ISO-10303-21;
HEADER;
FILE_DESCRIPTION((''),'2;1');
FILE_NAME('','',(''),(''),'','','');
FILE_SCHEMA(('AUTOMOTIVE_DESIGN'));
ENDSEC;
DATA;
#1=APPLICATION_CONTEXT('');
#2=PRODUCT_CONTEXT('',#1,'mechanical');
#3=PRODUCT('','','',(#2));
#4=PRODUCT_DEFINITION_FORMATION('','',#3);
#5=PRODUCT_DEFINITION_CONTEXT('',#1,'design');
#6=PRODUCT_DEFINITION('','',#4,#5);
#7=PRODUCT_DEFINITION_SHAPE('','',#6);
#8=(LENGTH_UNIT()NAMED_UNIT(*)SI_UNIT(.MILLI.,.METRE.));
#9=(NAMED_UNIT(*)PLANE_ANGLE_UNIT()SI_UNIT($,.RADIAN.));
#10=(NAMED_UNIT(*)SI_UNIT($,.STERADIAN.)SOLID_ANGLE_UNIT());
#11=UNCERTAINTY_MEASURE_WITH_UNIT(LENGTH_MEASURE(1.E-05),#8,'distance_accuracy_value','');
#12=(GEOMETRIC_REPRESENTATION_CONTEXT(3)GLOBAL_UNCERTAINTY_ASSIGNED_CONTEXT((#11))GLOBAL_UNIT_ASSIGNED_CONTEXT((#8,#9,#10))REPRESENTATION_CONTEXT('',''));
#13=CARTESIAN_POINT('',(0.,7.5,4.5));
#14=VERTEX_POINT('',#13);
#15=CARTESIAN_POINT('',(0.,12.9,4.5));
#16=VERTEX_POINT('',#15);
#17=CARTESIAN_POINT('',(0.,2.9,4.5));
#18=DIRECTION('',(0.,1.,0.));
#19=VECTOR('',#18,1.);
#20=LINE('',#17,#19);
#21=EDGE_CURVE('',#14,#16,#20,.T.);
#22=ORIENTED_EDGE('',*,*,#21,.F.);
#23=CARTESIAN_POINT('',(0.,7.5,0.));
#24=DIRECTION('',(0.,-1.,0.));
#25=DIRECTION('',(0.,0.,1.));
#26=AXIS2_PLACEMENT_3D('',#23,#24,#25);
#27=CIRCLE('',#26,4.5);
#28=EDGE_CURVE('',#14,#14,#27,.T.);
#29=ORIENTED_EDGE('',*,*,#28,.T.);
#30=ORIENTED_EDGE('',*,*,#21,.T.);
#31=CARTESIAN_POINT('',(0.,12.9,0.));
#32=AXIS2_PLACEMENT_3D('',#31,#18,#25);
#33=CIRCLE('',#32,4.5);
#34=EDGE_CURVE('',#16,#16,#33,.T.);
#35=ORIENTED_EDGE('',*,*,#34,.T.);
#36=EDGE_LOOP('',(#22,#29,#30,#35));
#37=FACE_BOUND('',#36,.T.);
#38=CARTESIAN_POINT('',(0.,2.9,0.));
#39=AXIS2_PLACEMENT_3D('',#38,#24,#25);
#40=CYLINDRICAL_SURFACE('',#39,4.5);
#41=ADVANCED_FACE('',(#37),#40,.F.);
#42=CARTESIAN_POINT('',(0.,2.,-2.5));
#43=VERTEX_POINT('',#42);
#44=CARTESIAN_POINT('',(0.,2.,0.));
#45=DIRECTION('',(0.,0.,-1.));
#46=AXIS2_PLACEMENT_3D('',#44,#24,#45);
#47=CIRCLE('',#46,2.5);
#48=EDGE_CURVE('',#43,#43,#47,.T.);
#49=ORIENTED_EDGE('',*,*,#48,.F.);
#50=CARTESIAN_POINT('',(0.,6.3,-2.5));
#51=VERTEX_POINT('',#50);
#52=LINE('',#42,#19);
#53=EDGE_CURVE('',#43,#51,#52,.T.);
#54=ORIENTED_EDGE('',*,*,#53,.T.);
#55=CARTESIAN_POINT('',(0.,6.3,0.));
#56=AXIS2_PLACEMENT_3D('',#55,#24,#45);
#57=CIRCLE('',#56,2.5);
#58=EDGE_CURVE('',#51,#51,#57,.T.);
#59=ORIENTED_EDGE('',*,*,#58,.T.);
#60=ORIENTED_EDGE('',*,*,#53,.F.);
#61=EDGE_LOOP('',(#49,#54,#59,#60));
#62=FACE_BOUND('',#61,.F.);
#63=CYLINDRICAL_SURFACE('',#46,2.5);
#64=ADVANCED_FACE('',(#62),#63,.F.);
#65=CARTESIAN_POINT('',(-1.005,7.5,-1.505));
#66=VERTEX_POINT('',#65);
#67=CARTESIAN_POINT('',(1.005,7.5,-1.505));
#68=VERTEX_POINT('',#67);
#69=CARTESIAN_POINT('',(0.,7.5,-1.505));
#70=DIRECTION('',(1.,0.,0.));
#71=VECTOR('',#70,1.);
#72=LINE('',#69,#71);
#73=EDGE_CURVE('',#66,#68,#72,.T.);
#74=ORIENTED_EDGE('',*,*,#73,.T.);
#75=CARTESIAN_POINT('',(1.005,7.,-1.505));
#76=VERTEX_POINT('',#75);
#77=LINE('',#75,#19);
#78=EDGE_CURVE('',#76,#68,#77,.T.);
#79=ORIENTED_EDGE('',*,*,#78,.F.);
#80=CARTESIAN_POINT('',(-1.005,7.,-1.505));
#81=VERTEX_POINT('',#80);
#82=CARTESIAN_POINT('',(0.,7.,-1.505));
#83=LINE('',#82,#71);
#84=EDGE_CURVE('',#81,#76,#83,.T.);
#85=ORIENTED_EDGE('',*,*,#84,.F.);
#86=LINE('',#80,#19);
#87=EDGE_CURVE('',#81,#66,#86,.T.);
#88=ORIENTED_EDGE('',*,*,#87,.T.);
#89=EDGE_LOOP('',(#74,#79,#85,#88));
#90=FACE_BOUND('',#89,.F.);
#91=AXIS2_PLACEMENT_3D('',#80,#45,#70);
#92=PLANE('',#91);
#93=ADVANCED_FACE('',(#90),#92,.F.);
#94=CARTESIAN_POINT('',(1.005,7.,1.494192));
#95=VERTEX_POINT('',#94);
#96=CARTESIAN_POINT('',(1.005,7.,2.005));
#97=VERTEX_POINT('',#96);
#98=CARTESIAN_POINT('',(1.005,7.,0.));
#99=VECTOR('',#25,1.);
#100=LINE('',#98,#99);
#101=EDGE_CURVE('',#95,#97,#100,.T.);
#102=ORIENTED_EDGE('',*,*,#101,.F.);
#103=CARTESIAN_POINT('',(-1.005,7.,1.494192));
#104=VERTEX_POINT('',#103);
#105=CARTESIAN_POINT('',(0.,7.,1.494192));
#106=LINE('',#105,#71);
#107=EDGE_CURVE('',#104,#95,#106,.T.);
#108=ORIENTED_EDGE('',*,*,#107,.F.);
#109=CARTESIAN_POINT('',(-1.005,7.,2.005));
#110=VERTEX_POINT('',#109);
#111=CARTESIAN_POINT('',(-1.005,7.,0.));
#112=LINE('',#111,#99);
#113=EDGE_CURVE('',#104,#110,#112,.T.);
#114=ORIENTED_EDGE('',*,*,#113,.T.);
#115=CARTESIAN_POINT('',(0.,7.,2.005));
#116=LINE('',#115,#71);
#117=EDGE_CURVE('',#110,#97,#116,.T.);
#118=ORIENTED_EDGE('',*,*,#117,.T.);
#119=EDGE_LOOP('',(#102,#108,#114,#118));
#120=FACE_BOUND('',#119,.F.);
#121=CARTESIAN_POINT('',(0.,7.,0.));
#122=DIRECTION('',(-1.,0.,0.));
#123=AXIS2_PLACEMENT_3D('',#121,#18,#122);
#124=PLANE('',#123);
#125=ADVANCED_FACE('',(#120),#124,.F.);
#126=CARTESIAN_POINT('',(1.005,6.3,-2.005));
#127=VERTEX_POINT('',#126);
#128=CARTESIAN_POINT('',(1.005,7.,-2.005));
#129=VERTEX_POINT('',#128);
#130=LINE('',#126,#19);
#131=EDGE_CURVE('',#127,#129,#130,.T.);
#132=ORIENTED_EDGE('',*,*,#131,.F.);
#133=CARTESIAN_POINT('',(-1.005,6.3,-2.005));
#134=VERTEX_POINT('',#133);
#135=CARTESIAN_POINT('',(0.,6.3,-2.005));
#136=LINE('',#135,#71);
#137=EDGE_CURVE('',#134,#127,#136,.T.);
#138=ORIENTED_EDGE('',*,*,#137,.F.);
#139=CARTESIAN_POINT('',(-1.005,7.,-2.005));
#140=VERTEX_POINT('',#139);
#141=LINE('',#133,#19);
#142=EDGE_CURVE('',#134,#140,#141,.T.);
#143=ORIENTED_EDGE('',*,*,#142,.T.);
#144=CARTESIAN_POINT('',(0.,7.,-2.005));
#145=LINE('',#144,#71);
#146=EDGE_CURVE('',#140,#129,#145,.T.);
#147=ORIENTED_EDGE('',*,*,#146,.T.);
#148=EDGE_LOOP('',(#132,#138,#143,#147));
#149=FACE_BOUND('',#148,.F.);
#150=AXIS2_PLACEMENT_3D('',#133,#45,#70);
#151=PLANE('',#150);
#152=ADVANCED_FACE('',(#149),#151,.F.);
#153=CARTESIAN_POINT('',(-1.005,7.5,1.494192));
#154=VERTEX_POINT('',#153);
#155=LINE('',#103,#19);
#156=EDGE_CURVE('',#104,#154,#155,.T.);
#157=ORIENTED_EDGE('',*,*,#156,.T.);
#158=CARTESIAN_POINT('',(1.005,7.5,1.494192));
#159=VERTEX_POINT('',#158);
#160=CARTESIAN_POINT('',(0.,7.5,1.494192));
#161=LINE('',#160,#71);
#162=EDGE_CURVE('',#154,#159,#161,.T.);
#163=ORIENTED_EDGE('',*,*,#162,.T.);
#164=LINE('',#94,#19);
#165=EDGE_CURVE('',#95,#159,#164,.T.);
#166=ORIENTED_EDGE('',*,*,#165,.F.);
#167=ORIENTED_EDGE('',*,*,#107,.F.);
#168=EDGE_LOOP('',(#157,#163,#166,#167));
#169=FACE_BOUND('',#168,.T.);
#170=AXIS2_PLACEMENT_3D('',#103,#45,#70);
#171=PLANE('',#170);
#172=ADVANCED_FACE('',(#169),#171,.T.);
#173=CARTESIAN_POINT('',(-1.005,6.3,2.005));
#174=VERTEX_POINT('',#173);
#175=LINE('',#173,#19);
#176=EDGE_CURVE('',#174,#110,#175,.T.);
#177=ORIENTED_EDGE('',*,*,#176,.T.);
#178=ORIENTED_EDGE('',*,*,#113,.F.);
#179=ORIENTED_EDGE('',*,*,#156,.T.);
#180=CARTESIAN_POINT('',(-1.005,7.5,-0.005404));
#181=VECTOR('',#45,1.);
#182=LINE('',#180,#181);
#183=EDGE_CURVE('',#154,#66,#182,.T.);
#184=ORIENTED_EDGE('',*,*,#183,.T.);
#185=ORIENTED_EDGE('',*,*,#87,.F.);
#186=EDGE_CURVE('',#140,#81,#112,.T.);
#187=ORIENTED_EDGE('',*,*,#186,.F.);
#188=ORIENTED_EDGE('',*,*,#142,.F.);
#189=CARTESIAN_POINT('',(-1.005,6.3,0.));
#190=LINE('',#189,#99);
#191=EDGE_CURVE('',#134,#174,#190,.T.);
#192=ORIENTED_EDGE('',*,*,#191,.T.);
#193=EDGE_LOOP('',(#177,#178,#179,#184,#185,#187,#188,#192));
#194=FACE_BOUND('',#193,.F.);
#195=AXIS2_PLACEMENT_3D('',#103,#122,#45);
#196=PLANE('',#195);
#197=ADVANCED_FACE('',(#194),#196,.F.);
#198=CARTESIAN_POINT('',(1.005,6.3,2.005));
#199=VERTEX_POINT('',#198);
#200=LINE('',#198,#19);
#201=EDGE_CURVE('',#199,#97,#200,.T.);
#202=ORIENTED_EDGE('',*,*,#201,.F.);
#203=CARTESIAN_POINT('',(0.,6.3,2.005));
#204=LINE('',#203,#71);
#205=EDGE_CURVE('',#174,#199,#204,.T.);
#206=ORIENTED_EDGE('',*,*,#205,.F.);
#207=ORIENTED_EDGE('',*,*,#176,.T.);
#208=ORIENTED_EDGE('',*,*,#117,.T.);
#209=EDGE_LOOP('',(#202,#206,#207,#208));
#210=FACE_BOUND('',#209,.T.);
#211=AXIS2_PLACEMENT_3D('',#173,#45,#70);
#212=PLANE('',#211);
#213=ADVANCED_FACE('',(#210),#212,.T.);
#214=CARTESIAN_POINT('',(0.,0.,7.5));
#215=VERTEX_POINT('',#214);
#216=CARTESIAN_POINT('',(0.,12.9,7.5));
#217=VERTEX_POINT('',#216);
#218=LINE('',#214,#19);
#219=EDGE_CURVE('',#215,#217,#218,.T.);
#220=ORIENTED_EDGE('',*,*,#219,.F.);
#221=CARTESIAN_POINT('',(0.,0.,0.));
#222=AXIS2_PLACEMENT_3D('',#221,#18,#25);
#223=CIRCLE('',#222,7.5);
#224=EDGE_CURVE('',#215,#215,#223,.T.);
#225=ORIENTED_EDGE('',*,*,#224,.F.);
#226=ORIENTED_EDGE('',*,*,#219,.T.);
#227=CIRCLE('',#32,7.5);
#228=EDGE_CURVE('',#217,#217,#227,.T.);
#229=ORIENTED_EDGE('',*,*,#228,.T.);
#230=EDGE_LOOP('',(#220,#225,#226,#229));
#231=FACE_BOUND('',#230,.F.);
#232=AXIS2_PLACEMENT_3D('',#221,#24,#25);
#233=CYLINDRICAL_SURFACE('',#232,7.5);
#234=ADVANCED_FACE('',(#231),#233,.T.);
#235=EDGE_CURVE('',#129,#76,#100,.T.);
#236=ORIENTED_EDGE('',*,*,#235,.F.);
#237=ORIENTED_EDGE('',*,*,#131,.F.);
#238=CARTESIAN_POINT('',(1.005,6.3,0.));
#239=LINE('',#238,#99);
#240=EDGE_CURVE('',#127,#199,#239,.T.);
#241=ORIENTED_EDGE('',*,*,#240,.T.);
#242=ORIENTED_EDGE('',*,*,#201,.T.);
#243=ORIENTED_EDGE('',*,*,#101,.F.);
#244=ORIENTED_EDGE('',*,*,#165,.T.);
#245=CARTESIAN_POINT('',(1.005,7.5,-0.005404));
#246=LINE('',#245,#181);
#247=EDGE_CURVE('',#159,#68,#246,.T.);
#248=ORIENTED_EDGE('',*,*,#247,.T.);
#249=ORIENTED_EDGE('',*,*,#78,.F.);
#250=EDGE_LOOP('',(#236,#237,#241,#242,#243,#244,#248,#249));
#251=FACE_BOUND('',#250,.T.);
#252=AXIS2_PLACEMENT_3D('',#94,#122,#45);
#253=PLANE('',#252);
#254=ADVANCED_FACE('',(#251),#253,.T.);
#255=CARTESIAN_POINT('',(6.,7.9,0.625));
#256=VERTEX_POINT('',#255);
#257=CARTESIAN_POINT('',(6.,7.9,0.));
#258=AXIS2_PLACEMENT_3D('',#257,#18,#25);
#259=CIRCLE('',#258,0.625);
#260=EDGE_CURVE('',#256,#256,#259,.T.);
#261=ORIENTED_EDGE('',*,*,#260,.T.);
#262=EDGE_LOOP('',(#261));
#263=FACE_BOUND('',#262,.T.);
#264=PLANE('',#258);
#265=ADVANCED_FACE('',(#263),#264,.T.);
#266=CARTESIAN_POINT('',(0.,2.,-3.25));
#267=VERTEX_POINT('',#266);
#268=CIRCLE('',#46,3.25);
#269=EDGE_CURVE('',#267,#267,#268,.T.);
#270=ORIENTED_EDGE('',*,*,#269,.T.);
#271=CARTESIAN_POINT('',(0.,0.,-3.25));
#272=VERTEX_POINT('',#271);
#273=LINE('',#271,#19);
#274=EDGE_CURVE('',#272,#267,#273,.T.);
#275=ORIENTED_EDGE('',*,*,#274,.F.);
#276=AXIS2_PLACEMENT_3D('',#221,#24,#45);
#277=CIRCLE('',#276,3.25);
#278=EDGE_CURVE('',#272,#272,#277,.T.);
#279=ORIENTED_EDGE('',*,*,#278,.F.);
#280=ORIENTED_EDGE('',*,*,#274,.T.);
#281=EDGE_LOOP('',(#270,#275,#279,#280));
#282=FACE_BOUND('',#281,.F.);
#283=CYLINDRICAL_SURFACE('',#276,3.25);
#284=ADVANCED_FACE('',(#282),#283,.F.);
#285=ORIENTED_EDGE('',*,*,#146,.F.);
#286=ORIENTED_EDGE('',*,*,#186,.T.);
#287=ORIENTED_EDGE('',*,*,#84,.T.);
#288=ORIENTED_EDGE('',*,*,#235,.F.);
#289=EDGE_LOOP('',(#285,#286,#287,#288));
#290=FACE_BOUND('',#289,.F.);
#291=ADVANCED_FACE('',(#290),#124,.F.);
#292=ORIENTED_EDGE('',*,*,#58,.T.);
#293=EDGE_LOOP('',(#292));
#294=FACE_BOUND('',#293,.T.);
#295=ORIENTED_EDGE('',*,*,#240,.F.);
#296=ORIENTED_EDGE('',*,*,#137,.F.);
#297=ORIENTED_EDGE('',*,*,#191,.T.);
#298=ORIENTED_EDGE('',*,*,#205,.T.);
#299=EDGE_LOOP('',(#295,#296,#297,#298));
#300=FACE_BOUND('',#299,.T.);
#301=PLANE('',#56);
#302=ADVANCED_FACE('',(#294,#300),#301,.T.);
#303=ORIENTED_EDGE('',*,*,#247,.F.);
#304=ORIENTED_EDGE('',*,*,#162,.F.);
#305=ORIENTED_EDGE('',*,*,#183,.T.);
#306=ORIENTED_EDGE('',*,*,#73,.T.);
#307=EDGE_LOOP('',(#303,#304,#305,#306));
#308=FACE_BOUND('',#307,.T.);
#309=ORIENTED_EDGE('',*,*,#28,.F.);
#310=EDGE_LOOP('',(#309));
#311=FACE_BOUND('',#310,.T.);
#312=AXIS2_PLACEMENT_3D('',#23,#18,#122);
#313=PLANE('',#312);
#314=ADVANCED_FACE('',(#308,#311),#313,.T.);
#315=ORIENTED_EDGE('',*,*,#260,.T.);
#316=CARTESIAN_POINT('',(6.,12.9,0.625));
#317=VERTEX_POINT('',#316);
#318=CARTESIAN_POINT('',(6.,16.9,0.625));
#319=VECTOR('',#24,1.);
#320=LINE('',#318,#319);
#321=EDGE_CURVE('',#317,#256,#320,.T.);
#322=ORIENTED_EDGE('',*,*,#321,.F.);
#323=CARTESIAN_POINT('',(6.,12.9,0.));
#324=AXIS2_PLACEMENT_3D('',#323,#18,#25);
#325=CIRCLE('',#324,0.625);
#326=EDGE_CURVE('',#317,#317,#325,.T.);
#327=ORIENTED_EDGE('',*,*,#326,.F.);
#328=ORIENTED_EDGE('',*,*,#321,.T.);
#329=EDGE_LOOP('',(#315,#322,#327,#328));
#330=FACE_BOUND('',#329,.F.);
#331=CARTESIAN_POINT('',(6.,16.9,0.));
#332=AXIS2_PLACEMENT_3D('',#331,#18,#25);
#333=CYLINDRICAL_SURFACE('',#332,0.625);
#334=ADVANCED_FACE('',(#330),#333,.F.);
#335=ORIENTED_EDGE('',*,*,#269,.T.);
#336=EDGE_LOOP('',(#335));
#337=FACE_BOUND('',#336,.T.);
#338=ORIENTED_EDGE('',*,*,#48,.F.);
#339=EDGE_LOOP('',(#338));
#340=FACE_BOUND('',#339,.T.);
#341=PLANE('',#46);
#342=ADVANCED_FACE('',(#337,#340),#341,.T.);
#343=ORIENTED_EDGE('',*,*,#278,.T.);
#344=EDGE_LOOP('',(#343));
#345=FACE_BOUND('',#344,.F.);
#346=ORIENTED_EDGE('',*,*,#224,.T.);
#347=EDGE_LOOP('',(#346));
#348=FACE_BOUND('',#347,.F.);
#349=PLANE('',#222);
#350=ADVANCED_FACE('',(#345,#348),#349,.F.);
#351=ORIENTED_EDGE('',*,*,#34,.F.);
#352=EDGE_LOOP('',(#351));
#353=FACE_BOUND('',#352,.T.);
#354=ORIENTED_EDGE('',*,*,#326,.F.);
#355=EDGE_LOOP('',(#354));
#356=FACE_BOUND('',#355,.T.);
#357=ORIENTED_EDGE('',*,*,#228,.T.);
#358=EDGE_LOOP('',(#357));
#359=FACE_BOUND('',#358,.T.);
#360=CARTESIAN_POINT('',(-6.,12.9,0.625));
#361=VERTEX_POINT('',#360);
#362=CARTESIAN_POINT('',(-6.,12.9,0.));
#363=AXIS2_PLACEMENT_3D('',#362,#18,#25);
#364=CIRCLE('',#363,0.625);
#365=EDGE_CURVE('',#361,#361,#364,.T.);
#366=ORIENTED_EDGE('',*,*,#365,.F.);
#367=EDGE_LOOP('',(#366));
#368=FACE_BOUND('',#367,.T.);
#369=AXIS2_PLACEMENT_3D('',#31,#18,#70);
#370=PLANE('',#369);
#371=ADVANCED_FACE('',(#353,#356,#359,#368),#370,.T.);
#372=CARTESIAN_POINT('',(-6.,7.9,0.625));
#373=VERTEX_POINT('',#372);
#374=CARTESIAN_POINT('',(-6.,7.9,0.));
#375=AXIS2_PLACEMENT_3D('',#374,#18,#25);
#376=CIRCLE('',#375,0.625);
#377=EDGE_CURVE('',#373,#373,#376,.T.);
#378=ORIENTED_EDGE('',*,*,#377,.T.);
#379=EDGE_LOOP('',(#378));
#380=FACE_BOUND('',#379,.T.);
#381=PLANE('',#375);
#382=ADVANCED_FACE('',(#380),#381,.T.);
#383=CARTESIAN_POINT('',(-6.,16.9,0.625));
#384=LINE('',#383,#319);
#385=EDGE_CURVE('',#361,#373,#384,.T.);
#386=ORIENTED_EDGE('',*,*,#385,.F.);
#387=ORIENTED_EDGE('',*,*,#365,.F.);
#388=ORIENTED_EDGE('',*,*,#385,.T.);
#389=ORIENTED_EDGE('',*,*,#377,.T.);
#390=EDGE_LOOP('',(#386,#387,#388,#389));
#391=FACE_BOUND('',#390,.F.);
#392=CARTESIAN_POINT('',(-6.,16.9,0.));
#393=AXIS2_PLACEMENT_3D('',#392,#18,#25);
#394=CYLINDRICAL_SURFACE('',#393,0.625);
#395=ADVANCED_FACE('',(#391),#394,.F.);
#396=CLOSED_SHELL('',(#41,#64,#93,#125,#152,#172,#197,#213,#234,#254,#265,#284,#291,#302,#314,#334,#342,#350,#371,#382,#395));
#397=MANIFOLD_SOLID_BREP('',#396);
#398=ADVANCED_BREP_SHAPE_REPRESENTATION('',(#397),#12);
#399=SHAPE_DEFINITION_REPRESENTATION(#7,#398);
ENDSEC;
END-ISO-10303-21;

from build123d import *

# Parameters (mm, degrees)
SKETCH_1_R           = 4
EXTRUDE_1_DEPTH      = 11
SKETCH_2_R           = 3.01
CUT_EXTRUDE_2_DEPTH  = 2
SKETCH_3_R           = 2.5
CUT_EXTRUDE_3_DEPTH  = 4.3
SKETCH_4_W           = 2.01
SKETCH_4_H           = 4.01
CUT_EXTRUDE_4_DEPTH  = 0.7
SKETCH_5_R           = 2.5
CUT_EXTRUDE_5_DEPTH  = 1
SKETCH_7_R           = 4
CUT_EXTRUDE_6_DEPTH  = 10
SKETCH_12_R          = 3.25
CUT_EXTRUDE_7_DEPTH  = 2
SKETCH_13_R          = 4
SKETCH_13_R_2        = 2.5
EXTRUDE_2_DEPTH      = 2
CUT_EXTRUDE_START    = -3
SKETCH_14_R          = 4
SKETCH_14_R_2        = 2.5
CUT_EXTRUDE_8_DEPTH  = 3
SKETCH_15_R          = 7
SKETCH_15_R_2        = 5
EXTRUDE_3_DEPTH      = 14.9
EXTRUDE_START        = 7
SKETCH_16_R          = 7
SKETCH_16_R_2        = 4
EXTRUDE_4_DEPTH      = 7
SKETCH_17_R          = 0.8
CUT_EXTRUDE_10_DEPTH = 5
SKETCH_18_R          = 5
SKETCH_18_W          = 2.01
SKETCH_18_H          = 2.999191688
EXTRUDE_5_DEPTH      = 0.5
SKETCH_20_R          = 0.625
CUT_EXTRUDE_11_DEPTH = 9
CUT_EXTRUDE_START_2  = -9
SKETCH_21_R          = 7
CUT_EXTRUDE_12_DEPTH = 9
EXTRUDE_START_2      = -12.9
SKETCH_22_R          = 7.5
SKETCH_22_R_2        = 7
EXTRUDE_7_DEPTH      = 12.9
EXTRUDE_START_3      = -10
SKETCH_23_R          = 5
SKETCH_23_R_2        = 4.5
EXTRUDE_8_DEPTH      = 10


with BuildPart() as part:
    # Эскиз1 → Бобышка-Вытянуть1 (new body)
    with BuildSketch(Plane(origin=(0, 0, 0), x_dir=(1, 0, 0), z_dir=(0, 1, 0))):
        with Locations(Location((0, 0, 0), (0, 0, 270))):
            Circle(SKETCH_1_R)
    extrude(amount=EXTRUDE_1_DEPTH)

    # Эскиз2 → Вырез-Вытянуть2 (cut)
    with BuildSketch(Plane.XZ):
        with Locations(Location((0, 0, 0), (0, 0, 270))):
            Circle(SKETCH_2_R)
    extrude(amount=-CUT_EXTRUDE_2_DEPTH, mode=Mode.SUBTRACT)

    # Эскиз3 → Вырез-Вытянуть3 (cut)
    with BuildSketch(Plane.XZ.offset(-2)):
        with Locations(Location((0, 0, 0), (0, 0, 270))):
            Circle(SKETCH_3_R)
    extrude(amount=-CUT_EXTRUDE_3_DEPTH, mode=Mode.SUBTRACT)

    # Эскиз4 → Вырез-Вытянуть4 (cut)
    with BuildSketch(Plane.XZ.offset(-6.3)):
        Rectangle(SKETCH_4_W, SKETCH_4_H)
    extrude(amount=-CUT_EXTRUDE_4_DEPTH, mode=Mode.SUBTRACT)

    # Эскиз5 → Вырез-Вытянуть5 (cut)
    with BuildSketch(Plane.XZ.offset(-7)):
        with Locations(Location((0, 0, 0), (0, 0, 270))):
            Circle(SKETCH_5_R)
    extrude(amount=-CUT_EXTRUDE_5_DEPTH, mode=Mode.SUBTRACT)

    # Эскиз7 → Вырез-Вытянуть6 (cut)
    with BuildSketch(Plane.XZ.offset(-8)):
        with Locations(Location((0, 0, 0), (0, 0, 270))):
            Circle(SKETCH_7_R)
    extrude(amount=-CUT_EXTRUDE_6_DEPTH, mode=Mode.SUBTRACT)

    # Эскиз12 → Вырез-Вытянуть7 (cut)
    with BuildSketch(Plane.XZ):
        with Locations(Location((0, 0, 0), (0, 0, 270))):
            Circle(SKETCH_12_R)
    extrude(amount=-CUT_EXTRUDE_7_DEPTH, mode=Mode.SUBTRACT)

    # Эскиз13 → Бобышка-Вытянуть2 (add)
    with BuildSketch(Plane(origin=(0, 8, 0), x_dir=(1, 0, 0), z_dir=(0, 1, 0))):
        with Locations(Location((0, 0, 0), (0, 0, 270))):
            Circle(SKETCH_13_R)
        with Locations(Location((0, 0, 0), (0, 0, 90))):
            Circle(SKETCH_13_R_2, mode=Mode.SUBTRACT)
    extrude(amount=EXTRUDE_2_DEPTH)

    # Эскиз14 → Вырез-Вытянуть8 (cut)
    with BuildSketch(Plane(origin=(0, 10, 0), x_dir=(1, 0, 0), z_dir=(0, 1, 0)).offset(CUT_EXTRUDE_START)):
        with Locations(Location((0, 0, 0), (0, 0, 270))):
            Circle(SKETCH_14_R)
        with Locations(Location((0, 0, 0), (0, 0, 90))):
            Circle(SKETCH_14_R_2, mode=Mode.SUBTRACT)
    extrude(amount=CUT_EXTRUDE_8_DEPTH, mode=Mode.SUBTRACT)



with BuildPart() as body_2:
    # Эскиз15 → Бобышка-Вытянуть3 (new body)
    with BuildSketch(Plane(origin=(0, 7, 0), x_dir=(1, 0, 0), z_dir=(0, 1, 0))):
        with Locations(Location((0, 0, 0), (0, 0, 270))):
            Circle(SKETCH_15_R)
        with Locations(Location((0, 0, 0), (0, 0, 270))):
            Circle(SKETCH_15_R_2, mode=Mode.SUBTRACT)
    extrude(amount=EXTRUDE_3_DEPTH)


with BuildPart() as part_1:
    add(part.part)

    add(body_2.part)  # Бобышка-Вытянуть4 merges body 2
    # Эскиз16 → Бобышка-Вытянуть4 (add)
    with BuildSketch(Plane.XZ.offset(-7).offset(EXTRUDE_START)):
        with Locations(Location((0, 0, 0), (0, 0, 90))):
            Circle(SKETCH_16_R)
        Circle(SKETCH_16_R_2, mode=Mode.SUBTRACT)
    extrude(amount=-EXTRUDE_4_DEPTH)

    # Эскиз17 → Вырез-Вытянуть10 (cut)
    with BuildSketch(Plane(origin=(0, 21.9, 0), x_dir=(1, 0, 0), z_dir=(0, 1, 0))):
        with Locations(Location((6, 0, 0), (0, 0, 270))):
            Circle(SKETCH_17_R)
        with Locations(Location((-6, 0, 0), (0, 0, 90))):
            Circle(SKETCH_17_R)
    extrude(amount=-CUT_EXTRUDE_10_DEPTH, mode=Mode.SUBTRACT)

    # Эскиз18 → Бобышка-Вытянуть5 (add)
    with BuildSketch(Plane(origin=(0, 7, 0), x_dir=(1, 0, 0), z_dir=(0, 1, 0))):
        with Locations(Location((0, 0, 0), (0, 0, 180))):
            Circle(SKETCH_18_R)
        with Locations((0, 0.005404156)):
            Rectangle(SKETCH_18_W, SKETCH_18_H, mode=Mode.SUBTRACT)
    extrude(amount=EXTRUDE_5_DEPTH)

    # Эскиз20 → Вырез-Вытянуть11 (cut)
    with BuildSketch(Plane(origin=(0, 16.9, 0), x_dir=(1, 0, 0), z_dir=(0, 1, 0))):
        with Locations(Location((6, 0, 0), (0, 0, 270))):
            Circle(SKETCH_20_R)
        with Locations(Location((-6, 0, 0), (0, 0, 270))):
            Circle(SKETCH_20_R)
    extrude(amount=-CUT_EXTRUDE_11_DEPTH, mode=Mode.SUBTRACT)

    # Эскиз21 → Вырез-Вытянуть12 (cut)
    with BuildSketch(Plane(origin=(0, 21.9, 0), x_dir=(1, 0, 0), z_dir=(0, 1, 0)).offset(CUT_EXTRUDE_START_2)):
        with Locations(Location((0, 0, 0), (0, 0, 270))):
            Circle(SKETCH_21_R)
    extrude(amount=CUT_EXTRUDE_12_DEPTH, mode=Mode.SUBTRACT)

    # Эскиз22 → Бобышка-Вытянуть7 (add)
    with BuildSketch(Plane(origin=(0, 12.9, 0), x_dir=(1, 0, 0), z_dir=(0, 1, 0)).offset(EXTRUDE_START_2)):
        with Locations(Location((0, 0, 0), (0, 0, 270))):
            Circle(SKETCH_22_R)
        Circle(SKETCH_22_R_2, mode=Mode.SUBTRACT)
    extrude(amount=EXTRUDE_7_DEPTH)

    # Эскиз23 → Бобышка-Вытянуть8 (add)
    with BuildSketch(Plane(origin=(0, 12.9, 0), x_dir=(1, 0, 0), z_dir=(0, 1, 0)).offset(EXTRUDE_START_3)):
        Circle(SKETCH_23_R)
        with Locations(Location((0, 0, 0), (0, 0, 270))):
            Circle(SKETCH_23_R_2, mode=Mode.SUBTRACT)
    extrude(amount=EXTRUDE_8_DEPTH)


solid = part_1.part
